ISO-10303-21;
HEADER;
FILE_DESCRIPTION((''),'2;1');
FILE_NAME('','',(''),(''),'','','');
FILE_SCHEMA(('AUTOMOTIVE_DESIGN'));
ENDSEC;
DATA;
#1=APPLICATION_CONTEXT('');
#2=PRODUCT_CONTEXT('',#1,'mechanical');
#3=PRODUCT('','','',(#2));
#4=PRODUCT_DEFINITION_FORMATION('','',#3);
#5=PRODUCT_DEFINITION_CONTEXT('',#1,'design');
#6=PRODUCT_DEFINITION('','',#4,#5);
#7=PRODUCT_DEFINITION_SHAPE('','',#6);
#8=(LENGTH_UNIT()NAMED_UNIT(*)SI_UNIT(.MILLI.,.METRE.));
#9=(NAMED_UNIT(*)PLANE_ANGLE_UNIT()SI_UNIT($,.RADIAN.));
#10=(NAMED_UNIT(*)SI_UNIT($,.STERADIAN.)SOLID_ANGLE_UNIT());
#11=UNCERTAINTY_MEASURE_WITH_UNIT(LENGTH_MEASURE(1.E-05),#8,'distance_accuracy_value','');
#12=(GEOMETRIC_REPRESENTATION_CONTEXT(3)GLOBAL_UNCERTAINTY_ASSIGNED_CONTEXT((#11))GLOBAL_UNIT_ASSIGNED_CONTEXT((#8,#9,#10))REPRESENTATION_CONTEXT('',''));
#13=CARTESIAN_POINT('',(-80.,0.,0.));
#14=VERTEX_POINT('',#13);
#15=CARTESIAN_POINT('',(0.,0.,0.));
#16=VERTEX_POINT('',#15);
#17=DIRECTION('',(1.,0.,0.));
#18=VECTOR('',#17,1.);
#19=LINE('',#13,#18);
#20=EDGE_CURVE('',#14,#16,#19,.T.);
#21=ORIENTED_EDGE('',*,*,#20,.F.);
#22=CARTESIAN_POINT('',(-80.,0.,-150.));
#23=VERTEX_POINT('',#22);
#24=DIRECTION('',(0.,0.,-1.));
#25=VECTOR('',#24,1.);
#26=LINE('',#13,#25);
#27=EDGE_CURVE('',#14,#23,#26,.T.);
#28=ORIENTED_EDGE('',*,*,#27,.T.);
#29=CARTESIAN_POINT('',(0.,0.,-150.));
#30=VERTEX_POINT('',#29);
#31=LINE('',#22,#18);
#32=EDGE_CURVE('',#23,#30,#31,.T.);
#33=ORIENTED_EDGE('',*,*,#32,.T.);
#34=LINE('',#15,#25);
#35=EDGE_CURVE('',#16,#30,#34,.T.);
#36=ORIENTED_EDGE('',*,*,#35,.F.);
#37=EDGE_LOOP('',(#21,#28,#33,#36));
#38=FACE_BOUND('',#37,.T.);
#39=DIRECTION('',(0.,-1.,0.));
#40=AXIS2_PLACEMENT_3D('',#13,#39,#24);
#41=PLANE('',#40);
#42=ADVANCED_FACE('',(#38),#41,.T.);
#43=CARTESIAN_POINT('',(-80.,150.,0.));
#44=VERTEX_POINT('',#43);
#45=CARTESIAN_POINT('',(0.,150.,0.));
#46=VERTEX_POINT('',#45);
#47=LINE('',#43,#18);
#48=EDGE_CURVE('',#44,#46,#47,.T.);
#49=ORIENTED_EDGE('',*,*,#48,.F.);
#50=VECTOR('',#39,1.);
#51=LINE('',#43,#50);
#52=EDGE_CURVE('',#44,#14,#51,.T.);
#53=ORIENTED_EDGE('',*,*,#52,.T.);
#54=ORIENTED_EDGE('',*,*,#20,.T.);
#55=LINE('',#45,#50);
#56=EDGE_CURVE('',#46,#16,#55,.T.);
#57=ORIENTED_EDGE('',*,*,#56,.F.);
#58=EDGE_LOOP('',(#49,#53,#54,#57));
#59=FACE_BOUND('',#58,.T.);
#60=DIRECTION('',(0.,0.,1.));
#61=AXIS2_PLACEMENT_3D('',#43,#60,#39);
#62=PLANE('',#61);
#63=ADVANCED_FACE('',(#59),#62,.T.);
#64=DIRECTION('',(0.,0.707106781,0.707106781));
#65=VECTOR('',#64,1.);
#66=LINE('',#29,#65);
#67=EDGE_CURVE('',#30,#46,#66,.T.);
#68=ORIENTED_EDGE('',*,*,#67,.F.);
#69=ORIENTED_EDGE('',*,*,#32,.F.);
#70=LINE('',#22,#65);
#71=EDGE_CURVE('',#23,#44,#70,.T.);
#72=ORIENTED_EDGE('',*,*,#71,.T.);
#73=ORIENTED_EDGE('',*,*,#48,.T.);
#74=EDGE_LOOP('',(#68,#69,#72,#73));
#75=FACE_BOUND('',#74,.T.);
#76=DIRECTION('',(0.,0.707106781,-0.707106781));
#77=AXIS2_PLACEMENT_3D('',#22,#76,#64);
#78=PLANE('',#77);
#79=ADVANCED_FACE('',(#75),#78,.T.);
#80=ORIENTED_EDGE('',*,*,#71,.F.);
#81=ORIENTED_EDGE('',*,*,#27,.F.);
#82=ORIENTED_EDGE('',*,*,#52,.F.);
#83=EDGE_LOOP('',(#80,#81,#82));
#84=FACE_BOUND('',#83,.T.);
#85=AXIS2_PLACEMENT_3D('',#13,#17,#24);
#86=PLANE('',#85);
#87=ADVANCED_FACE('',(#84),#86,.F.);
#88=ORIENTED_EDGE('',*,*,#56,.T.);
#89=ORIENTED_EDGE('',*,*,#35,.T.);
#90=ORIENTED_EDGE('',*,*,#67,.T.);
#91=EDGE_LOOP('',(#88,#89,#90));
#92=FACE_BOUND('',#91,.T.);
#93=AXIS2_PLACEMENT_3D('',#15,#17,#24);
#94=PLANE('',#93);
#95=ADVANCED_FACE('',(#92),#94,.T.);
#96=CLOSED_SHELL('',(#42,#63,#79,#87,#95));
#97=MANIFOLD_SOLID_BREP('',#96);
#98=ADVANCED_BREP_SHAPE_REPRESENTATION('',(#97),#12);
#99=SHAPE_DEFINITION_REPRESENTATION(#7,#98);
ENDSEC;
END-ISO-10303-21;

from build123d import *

# Parameters (mm, degrees)
Y_KSEKLIK_EKSTR_ZYON1_DEPTH = 80


with BuildPart() as part:
    # Çizim1 → Yükseklik-Ekstrüzyon1 (new body)
    with BuildSketch(Plane(origin=(0, 0, 0), x_dir=(0, 0, -1), z_dir=(1, 0, 0))):
        Polygon((0, 150), (0, 0), (150, 0), align=None)
    extrude(amount=-Y_KSEKLIK_EKSTR_ZYON1_DEPTH)


solid = part.part
